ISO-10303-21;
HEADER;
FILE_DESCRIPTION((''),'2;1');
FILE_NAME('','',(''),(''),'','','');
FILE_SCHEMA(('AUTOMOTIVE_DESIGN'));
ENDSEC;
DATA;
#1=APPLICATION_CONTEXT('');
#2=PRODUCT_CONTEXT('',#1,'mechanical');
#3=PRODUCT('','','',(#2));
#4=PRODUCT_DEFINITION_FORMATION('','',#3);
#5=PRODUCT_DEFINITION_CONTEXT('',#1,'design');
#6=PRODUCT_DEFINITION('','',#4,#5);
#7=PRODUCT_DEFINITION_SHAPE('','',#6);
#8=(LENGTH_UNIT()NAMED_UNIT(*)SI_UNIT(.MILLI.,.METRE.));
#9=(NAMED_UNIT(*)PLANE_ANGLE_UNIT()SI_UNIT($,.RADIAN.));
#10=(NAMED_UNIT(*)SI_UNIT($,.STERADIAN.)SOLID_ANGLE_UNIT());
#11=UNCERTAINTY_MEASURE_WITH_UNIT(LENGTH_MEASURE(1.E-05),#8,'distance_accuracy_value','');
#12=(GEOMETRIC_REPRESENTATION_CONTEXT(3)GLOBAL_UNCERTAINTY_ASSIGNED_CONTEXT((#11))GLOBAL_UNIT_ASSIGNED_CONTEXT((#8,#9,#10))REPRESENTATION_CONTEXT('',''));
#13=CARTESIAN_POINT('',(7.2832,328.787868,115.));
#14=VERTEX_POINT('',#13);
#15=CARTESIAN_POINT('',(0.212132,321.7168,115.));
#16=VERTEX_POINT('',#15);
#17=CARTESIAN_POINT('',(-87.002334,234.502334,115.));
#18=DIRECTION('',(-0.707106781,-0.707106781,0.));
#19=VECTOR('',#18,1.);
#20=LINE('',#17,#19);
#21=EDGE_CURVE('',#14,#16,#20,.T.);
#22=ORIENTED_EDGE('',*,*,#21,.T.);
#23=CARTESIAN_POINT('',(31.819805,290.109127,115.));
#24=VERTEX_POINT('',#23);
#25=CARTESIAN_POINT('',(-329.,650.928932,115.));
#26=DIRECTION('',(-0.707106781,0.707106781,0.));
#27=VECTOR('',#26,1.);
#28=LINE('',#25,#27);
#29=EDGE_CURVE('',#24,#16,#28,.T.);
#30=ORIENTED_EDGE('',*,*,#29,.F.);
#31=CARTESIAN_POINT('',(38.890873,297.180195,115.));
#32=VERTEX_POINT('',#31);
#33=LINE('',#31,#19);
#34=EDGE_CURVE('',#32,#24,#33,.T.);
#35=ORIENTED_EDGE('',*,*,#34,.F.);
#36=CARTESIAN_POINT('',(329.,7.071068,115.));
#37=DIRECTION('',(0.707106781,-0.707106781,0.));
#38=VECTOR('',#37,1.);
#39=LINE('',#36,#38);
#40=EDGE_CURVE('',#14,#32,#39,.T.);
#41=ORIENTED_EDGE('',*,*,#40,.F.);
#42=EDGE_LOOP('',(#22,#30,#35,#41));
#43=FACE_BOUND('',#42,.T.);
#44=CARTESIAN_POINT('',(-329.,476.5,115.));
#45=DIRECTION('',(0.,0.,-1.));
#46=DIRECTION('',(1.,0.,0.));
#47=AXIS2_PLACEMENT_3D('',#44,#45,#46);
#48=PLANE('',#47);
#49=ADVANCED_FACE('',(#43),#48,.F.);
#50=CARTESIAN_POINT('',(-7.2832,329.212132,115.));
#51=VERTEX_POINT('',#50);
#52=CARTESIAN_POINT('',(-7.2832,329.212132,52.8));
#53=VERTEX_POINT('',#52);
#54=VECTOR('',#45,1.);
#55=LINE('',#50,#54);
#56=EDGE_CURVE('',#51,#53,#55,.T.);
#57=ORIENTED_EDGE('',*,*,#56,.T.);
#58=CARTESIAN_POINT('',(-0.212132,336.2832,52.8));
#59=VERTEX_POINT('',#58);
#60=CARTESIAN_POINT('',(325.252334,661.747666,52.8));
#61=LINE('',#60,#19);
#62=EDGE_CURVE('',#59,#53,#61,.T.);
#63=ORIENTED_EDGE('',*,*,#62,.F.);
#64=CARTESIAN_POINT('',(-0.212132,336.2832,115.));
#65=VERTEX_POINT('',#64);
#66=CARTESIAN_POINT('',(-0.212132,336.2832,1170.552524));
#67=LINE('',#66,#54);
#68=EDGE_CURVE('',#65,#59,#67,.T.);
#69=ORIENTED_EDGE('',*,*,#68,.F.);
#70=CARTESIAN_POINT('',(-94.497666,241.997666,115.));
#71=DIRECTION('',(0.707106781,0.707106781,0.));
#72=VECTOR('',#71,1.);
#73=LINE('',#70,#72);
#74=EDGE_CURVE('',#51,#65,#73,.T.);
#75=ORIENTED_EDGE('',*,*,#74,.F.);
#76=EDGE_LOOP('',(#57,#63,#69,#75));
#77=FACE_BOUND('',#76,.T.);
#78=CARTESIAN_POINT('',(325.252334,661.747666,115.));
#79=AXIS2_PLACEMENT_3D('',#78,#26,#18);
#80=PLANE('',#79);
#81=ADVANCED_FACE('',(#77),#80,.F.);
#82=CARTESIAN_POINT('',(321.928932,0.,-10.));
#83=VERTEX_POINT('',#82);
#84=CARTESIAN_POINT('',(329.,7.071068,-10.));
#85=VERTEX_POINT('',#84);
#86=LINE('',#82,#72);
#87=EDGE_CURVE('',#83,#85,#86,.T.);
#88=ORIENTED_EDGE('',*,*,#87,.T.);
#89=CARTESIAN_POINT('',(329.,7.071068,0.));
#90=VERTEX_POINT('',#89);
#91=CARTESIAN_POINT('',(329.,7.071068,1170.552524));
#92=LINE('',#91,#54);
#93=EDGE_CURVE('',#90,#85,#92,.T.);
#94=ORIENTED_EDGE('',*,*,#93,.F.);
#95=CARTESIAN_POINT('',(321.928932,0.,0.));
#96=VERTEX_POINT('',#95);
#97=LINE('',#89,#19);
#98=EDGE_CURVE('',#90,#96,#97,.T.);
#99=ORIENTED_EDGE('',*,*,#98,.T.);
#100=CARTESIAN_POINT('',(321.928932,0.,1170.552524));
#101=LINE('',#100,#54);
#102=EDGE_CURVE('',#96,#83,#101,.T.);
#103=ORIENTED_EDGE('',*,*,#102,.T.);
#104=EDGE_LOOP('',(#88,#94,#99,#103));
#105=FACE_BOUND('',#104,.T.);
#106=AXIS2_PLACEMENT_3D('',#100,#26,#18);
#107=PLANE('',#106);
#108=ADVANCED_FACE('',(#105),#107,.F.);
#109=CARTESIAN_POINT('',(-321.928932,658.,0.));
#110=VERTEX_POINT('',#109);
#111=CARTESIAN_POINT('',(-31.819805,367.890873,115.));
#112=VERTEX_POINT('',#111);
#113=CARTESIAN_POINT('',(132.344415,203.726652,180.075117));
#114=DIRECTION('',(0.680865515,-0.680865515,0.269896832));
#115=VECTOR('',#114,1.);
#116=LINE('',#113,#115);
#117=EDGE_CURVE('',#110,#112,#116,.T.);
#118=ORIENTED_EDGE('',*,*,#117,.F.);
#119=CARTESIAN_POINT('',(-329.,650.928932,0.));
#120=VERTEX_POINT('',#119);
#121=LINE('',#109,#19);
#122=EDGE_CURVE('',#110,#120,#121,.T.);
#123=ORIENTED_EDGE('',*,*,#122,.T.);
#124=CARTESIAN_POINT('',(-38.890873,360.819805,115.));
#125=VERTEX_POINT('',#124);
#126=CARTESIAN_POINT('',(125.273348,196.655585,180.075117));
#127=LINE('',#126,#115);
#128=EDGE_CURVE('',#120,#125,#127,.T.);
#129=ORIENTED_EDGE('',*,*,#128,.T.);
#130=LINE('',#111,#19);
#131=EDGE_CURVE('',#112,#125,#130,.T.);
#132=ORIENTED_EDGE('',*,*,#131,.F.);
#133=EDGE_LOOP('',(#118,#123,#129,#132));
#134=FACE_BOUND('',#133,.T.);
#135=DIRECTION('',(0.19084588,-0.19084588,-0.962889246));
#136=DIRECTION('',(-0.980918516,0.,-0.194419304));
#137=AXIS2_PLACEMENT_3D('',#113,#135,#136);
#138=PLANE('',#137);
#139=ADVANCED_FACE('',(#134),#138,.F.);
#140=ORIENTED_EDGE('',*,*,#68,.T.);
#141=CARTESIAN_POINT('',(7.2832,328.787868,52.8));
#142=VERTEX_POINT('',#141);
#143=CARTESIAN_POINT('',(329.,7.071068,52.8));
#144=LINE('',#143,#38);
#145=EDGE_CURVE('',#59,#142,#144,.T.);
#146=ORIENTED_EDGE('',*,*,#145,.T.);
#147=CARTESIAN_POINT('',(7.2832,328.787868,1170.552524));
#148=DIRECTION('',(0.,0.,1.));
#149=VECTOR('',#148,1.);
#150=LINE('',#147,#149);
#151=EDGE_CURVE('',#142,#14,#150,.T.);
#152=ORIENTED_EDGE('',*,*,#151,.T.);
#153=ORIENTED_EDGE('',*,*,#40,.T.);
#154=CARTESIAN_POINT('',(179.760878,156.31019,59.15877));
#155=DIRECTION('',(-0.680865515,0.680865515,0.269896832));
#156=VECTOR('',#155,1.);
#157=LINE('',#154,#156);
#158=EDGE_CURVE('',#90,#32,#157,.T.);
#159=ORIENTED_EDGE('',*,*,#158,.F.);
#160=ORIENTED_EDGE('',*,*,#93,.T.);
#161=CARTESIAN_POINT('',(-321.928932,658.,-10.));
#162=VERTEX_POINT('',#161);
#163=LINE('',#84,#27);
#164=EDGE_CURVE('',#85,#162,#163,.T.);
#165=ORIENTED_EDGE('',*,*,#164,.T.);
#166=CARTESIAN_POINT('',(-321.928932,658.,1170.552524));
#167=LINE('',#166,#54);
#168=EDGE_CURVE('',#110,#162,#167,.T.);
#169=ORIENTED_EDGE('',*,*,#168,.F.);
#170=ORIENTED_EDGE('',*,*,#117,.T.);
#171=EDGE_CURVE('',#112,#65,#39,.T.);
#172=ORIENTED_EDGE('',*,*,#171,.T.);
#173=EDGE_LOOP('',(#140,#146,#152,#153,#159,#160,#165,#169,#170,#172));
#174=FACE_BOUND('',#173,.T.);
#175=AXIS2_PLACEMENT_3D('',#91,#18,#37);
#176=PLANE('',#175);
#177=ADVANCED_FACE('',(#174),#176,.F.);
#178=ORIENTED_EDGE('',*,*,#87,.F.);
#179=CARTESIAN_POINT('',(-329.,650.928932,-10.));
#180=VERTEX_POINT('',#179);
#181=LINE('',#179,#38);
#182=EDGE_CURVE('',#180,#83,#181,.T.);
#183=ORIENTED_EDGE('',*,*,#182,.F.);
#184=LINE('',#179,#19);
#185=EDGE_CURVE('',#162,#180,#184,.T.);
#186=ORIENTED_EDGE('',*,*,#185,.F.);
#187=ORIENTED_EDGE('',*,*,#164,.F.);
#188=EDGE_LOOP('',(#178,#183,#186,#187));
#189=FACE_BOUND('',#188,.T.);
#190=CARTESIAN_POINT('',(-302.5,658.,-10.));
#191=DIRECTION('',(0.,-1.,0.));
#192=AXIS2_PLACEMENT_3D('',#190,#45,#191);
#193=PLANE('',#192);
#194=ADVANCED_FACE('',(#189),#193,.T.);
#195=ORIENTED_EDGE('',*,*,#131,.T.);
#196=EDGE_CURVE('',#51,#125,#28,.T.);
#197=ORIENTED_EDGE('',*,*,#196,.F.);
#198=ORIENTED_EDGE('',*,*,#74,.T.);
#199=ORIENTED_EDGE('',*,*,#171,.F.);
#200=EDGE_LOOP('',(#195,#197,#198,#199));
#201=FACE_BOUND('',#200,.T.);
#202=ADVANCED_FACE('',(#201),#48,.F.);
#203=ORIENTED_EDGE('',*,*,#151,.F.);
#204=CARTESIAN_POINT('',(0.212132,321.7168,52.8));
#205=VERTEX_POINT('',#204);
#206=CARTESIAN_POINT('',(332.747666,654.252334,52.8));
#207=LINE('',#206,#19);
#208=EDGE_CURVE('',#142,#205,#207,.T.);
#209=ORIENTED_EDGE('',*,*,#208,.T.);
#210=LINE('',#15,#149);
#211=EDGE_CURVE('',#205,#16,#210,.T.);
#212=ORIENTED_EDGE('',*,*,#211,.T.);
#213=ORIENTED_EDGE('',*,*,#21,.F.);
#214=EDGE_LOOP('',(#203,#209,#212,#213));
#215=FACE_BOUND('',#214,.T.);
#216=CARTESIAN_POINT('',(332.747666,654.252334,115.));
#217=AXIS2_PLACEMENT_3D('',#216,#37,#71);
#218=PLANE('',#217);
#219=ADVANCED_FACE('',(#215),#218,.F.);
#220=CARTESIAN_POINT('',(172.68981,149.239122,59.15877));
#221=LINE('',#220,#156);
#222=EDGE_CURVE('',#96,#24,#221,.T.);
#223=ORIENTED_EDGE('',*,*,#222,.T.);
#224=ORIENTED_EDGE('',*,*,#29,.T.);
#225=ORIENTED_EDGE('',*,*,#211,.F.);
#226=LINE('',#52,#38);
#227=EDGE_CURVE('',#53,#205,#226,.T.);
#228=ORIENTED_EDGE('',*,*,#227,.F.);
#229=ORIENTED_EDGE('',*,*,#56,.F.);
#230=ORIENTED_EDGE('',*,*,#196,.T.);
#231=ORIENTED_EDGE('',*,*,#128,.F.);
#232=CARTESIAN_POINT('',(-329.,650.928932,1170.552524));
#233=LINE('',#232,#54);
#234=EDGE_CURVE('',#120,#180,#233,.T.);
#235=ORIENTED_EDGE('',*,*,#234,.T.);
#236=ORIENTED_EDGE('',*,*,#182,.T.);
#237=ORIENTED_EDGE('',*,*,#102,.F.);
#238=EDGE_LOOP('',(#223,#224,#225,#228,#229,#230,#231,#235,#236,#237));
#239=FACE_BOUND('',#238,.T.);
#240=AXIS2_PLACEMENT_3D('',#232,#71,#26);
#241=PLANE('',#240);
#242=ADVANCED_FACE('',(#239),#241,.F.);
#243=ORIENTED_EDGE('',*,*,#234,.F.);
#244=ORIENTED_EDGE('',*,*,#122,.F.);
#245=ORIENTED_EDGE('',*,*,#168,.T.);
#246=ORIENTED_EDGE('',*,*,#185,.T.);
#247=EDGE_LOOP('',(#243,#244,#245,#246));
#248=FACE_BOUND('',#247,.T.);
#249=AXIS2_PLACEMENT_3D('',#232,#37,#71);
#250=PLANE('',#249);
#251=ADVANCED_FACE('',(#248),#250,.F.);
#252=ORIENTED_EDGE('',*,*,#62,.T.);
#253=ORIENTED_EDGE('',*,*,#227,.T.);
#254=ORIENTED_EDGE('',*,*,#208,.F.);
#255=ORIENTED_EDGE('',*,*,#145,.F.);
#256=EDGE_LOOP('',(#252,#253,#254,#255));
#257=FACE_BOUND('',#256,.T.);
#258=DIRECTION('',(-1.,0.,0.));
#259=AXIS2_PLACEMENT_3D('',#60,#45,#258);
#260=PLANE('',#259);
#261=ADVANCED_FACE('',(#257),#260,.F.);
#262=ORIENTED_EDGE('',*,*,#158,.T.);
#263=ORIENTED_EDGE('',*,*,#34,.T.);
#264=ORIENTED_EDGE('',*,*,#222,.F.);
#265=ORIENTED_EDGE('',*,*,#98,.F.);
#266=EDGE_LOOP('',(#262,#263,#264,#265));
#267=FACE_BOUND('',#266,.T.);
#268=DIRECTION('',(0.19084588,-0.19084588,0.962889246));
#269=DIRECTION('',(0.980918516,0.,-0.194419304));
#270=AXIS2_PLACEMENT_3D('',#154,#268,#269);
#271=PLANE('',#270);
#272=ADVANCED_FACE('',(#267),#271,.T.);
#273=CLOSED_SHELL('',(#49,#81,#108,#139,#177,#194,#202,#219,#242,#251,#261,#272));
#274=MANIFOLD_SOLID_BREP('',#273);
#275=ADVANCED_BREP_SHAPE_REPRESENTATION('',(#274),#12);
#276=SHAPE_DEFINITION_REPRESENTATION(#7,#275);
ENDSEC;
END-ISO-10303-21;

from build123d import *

# Parameters (mm, degrees)
BOSS_EXTRUDE1_DEPTH      = 115
BOSS_EXTRUDE1_DEPTH_BACK = 10
CUT_EXTRUDE1_DEPTH       = 10
SKETCH4_W                = 10.6
SKETCH4_H                = 62.2
CUT_EXTRUDE2_DEPTH       = 708.343268859


with BuildPart() as part:
    # Sketch2 → Boss-Extrude1 (new, two sides: drawn at the far end of the back side and taken through both)
    with BuildSketch(Plane.XY.offset(-BOSS_EXTRUDE1_DEPTH_BACK)):
        Polygon((321.928932188, 0), (329, 7.071067812), (-321.928932188, 658), (-329, 650.928932188), align=None)
    extrude(amount=BOSS_EXTRUDE1_DEPTH + BOSS_EXTRUDE1_DEPTH_BACK)

    # Sketch3 → Cut-Extrude1 (cut)
    with BuildSketch(Plane(origin=(160.964466094, 160.964466094, 0), x_dir=(-0.7071067811865476, 0.7071067811865476, 0), z_dir=(-0.7071067811865476, -0.7071067811865476, 0))):
        Polygon((-227.63813101, -115), (182.63813101, -115), (-227.63813101, 0), align=None)
        Polygon((692.914393031, -115), (282.63813101, -115), (692.914393031, 0), align=None)
    extrude(amount=-CUT_EXTRUDE1_DEPTH, mode=Mode.SUBTRACT)

    # Sketch4 → Cut-Extrude2 (cut, through all)
    with BuildSketch(Plane(origin=(160.964466094, 160.964466094, 0), x_dir=(-0.7071067811865476, 0.7071067811865476, 0), z_dir=(-0.7071067811865476, -0.7071067811865476, 0))):
        with Locations((232.63813101, -83.9)):
            Rectangle(SKETCH4_W, SKETCH4_H)
    extrude(amount=-CUT_EXTRUDE2_DEPTH, mode=Mode.SUBTRACT)


solid = part.part
